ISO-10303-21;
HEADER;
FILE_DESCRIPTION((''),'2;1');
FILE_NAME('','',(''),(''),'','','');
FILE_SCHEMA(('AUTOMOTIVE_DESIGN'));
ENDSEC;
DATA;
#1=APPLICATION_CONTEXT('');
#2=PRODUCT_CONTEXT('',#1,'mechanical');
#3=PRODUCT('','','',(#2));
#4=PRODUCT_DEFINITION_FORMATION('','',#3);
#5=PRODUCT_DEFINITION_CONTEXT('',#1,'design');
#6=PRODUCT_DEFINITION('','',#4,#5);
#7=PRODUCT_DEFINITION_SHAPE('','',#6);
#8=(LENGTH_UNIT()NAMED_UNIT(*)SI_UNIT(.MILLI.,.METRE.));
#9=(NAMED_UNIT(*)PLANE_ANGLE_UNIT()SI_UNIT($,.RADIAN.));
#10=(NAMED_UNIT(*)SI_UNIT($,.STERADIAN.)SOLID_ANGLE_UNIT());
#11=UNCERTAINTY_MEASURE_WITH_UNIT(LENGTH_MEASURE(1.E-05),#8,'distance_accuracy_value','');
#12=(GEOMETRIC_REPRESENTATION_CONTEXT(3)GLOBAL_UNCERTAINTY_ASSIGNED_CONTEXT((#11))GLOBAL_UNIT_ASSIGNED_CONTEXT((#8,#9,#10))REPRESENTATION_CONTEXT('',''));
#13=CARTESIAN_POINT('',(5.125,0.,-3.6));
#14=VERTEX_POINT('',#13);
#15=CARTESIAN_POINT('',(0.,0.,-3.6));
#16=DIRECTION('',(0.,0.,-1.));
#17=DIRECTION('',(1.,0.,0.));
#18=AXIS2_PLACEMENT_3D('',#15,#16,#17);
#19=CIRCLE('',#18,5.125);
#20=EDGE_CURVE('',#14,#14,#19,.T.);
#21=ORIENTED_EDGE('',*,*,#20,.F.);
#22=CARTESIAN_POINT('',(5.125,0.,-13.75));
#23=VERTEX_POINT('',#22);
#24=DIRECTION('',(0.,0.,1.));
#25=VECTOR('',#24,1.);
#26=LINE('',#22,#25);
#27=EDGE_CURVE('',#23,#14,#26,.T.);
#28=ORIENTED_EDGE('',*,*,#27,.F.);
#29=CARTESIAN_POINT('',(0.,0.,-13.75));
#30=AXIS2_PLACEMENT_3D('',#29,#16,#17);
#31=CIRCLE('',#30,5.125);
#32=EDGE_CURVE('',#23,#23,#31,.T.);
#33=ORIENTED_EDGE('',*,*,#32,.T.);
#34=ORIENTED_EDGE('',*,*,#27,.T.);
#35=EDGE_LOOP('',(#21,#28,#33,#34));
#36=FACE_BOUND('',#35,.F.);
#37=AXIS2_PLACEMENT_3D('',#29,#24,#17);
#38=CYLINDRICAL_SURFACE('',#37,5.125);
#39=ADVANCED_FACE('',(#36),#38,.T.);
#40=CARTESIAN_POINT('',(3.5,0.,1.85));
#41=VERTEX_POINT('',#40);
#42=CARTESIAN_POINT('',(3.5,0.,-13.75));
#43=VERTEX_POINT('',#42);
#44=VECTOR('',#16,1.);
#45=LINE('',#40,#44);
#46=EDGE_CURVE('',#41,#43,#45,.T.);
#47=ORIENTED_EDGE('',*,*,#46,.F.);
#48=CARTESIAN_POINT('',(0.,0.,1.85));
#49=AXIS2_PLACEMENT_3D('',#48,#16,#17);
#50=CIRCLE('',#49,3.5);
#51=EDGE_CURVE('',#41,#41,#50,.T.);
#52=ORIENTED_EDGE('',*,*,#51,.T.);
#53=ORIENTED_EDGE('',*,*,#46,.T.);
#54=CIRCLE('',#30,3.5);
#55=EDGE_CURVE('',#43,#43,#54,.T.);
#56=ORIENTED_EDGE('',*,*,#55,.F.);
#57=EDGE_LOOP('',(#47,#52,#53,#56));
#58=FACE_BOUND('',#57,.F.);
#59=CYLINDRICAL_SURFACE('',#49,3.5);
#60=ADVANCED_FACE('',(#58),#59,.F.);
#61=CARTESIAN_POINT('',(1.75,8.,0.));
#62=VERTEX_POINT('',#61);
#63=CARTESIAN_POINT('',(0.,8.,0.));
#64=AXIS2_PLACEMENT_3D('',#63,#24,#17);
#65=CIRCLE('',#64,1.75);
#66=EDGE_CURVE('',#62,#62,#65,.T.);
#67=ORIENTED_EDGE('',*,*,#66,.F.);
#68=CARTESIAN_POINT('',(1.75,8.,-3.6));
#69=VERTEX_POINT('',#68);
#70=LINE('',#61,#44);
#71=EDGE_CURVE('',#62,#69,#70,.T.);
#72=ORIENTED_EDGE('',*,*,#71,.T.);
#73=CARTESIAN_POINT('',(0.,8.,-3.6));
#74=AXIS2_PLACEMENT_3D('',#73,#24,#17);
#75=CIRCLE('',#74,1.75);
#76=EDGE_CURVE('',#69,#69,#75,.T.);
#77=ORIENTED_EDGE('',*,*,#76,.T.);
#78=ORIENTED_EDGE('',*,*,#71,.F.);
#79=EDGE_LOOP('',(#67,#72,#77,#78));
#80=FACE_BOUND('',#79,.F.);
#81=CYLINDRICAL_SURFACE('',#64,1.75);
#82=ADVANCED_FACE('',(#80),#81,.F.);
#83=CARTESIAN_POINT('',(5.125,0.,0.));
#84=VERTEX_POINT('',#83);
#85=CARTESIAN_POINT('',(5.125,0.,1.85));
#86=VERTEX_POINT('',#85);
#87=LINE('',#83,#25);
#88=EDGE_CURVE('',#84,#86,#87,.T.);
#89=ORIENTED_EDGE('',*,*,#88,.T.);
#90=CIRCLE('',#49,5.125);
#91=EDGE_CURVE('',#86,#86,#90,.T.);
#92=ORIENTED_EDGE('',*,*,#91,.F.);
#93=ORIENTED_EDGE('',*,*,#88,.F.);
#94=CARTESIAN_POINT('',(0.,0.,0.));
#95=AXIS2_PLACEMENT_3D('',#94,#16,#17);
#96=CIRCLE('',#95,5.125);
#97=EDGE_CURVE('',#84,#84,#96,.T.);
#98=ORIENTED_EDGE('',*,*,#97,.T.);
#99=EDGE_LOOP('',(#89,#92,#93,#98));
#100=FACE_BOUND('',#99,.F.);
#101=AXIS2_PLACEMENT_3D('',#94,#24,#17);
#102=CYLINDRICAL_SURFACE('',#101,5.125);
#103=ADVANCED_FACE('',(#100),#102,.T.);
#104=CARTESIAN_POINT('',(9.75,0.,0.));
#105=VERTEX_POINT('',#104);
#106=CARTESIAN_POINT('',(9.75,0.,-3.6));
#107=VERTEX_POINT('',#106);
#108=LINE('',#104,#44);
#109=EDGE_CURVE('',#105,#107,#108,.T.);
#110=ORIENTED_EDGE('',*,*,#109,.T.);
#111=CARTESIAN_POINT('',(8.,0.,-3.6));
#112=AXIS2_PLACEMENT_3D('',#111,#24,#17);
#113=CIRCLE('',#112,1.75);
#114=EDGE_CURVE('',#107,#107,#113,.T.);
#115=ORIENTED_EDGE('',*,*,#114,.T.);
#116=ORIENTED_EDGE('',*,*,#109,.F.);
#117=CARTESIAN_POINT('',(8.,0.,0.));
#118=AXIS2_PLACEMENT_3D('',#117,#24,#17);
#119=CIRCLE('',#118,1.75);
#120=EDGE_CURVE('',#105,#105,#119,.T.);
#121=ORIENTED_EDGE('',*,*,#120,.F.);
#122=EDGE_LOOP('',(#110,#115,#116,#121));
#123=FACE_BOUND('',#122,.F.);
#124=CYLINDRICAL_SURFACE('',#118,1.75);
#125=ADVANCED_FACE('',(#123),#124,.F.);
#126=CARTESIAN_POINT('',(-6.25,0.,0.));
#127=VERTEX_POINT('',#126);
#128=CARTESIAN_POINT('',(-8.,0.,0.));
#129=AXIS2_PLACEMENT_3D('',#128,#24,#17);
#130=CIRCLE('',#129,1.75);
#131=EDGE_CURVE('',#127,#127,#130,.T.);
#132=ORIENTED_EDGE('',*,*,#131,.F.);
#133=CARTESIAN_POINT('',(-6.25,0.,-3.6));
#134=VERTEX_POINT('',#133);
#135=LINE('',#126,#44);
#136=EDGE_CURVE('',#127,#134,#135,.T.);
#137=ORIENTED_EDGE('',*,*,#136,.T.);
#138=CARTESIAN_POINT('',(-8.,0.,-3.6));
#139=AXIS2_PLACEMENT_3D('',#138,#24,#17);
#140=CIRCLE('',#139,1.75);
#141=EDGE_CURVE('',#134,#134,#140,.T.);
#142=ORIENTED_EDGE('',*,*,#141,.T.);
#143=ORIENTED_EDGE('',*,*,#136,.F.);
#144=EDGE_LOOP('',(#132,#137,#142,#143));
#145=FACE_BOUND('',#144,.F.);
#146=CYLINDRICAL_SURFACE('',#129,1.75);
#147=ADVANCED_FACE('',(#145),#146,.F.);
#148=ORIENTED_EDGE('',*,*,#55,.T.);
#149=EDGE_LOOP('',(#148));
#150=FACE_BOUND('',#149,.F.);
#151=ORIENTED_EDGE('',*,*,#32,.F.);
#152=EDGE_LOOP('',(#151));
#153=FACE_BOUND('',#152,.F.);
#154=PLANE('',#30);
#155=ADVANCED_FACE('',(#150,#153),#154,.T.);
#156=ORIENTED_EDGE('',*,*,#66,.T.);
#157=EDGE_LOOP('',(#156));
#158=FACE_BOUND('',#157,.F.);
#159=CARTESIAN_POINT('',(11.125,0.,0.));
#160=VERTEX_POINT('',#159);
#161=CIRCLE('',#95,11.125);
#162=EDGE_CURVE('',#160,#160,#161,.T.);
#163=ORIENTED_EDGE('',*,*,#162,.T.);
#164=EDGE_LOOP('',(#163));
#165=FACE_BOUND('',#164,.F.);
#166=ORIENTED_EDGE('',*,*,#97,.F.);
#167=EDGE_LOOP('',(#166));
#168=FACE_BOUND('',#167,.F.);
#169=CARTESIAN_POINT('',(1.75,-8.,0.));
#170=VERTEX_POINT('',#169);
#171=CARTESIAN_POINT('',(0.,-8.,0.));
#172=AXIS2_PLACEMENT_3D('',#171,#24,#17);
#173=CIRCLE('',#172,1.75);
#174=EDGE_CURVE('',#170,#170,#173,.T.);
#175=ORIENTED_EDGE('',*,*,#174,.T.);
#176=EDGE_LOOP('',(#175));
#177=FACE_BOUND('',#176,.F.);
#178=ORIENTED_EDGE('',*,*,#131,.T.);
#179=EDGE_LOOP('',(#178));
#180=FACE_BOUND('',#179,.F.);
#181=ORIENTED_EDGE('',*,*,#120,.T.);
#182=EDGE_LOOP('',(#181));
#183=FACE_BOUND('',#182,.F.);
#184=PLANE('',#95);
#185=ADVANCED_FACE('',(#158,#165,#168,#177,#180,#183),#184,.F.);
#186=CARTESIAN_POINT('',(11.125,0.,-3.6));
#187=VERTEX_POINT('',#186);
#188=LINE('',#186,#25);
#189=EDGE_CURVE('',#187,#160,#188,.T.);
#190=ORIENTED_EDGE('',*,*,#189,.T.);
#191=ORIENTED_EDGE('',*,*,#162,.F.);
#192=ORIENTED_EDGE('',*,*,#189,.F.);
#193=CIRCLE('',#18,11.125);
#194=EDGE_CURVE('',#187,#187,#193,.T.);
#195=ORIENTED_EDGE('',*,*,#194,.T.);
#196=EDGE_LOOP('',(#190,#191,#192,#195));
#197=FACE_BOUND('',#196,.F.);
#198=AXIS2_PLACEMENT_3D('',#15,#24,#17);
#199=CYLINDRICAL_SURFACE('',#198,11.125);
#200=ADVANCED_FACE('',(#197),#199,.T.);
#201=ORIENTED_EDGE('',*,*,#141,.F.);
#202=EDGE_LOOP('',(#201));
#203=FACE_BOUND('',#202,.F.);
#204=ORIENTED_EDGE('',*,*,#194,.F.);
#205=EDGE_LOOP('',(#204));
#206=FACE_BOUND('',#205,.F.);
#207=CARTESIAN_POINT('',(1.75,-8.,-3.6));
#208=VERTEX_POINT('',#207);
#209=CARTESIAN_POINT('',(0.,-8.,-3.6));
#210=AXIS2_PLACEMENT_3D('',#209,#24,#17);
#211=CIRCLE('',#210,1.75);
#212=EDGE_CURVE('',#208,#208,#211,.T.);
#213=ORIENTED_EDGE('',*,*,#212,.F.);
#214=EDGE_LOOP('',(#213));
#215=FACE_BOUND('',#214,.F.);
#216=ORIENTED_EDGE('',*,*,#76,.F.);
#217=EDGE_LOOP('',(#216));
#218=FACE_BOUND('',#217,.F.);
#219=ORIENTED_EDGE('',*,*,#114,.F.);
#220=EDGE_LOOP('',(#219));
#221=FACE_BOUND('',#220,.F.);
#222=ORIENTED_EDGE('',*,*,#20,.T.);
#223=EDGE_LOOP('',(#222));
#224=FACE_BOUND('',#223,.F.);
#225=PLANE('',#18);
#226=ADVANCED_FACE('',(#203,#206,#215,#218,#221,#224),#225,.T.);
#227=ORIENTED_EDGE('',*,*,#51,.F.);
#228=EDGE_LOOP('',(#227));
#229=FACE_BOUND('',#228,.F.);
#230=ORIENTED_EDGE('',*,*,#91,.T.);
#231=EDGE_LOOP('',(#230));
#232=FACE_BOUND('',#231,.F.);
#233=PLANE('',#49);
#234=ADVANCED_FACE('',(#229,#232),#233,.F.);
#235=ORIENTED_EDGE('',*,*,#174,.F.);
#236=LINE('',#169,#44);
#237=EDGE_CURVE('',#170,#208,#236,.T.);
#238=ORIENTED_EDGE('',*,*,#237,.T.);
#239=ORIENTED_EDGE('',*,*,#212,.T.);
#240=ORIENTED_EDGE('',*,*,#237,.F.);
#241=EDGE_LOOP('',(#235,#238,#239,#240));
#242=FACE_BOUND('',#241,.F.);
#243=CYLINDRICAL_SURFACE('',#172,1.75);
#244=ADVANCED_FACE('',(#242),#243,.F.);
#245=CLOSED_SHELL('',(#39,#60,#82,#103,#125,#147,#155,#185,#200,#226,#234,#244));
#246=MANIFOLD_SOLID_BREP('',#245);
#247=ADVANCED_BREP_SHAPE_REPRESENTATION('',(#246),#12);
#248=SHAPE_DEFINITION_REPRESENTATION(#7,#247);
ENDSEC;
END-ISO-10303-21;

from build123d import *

# Parameters (mm, degrees)
F2_R     = 1.75
F3_DEPTH = 25


with BuildPart() as f1:
    # F0 (on Front) → F1 (revolve)
    with BuildSketch(Plane.XZ):
        Polygon((5.125, 1.85), (3.5, 1.85), (3.5, -13.75), (5.125, -13.75), (5.125, -3.6), (11.125, -3.6), (11.125, 0), (5.125, 0), align=None)
    revolve(axis=Axis((0, 0, -12.131187), (0, 0, -1)))

    # F2 (on face) → F3 (cut)
    with BuildSketch(Plane.XY):
        with Locations((0, 8)):
            Circle(F2_R)
        with Locations((-8, 0)):
            Circle(F2_R)
        with Locations((0, -8)):
            Circle(F2_R)
        with Locations((8, 0)):
            Circle(F2_R)
    extrude(amount=-F3_DEPTH, mode=Mode.SUBTRACT)


solid = f1.part
